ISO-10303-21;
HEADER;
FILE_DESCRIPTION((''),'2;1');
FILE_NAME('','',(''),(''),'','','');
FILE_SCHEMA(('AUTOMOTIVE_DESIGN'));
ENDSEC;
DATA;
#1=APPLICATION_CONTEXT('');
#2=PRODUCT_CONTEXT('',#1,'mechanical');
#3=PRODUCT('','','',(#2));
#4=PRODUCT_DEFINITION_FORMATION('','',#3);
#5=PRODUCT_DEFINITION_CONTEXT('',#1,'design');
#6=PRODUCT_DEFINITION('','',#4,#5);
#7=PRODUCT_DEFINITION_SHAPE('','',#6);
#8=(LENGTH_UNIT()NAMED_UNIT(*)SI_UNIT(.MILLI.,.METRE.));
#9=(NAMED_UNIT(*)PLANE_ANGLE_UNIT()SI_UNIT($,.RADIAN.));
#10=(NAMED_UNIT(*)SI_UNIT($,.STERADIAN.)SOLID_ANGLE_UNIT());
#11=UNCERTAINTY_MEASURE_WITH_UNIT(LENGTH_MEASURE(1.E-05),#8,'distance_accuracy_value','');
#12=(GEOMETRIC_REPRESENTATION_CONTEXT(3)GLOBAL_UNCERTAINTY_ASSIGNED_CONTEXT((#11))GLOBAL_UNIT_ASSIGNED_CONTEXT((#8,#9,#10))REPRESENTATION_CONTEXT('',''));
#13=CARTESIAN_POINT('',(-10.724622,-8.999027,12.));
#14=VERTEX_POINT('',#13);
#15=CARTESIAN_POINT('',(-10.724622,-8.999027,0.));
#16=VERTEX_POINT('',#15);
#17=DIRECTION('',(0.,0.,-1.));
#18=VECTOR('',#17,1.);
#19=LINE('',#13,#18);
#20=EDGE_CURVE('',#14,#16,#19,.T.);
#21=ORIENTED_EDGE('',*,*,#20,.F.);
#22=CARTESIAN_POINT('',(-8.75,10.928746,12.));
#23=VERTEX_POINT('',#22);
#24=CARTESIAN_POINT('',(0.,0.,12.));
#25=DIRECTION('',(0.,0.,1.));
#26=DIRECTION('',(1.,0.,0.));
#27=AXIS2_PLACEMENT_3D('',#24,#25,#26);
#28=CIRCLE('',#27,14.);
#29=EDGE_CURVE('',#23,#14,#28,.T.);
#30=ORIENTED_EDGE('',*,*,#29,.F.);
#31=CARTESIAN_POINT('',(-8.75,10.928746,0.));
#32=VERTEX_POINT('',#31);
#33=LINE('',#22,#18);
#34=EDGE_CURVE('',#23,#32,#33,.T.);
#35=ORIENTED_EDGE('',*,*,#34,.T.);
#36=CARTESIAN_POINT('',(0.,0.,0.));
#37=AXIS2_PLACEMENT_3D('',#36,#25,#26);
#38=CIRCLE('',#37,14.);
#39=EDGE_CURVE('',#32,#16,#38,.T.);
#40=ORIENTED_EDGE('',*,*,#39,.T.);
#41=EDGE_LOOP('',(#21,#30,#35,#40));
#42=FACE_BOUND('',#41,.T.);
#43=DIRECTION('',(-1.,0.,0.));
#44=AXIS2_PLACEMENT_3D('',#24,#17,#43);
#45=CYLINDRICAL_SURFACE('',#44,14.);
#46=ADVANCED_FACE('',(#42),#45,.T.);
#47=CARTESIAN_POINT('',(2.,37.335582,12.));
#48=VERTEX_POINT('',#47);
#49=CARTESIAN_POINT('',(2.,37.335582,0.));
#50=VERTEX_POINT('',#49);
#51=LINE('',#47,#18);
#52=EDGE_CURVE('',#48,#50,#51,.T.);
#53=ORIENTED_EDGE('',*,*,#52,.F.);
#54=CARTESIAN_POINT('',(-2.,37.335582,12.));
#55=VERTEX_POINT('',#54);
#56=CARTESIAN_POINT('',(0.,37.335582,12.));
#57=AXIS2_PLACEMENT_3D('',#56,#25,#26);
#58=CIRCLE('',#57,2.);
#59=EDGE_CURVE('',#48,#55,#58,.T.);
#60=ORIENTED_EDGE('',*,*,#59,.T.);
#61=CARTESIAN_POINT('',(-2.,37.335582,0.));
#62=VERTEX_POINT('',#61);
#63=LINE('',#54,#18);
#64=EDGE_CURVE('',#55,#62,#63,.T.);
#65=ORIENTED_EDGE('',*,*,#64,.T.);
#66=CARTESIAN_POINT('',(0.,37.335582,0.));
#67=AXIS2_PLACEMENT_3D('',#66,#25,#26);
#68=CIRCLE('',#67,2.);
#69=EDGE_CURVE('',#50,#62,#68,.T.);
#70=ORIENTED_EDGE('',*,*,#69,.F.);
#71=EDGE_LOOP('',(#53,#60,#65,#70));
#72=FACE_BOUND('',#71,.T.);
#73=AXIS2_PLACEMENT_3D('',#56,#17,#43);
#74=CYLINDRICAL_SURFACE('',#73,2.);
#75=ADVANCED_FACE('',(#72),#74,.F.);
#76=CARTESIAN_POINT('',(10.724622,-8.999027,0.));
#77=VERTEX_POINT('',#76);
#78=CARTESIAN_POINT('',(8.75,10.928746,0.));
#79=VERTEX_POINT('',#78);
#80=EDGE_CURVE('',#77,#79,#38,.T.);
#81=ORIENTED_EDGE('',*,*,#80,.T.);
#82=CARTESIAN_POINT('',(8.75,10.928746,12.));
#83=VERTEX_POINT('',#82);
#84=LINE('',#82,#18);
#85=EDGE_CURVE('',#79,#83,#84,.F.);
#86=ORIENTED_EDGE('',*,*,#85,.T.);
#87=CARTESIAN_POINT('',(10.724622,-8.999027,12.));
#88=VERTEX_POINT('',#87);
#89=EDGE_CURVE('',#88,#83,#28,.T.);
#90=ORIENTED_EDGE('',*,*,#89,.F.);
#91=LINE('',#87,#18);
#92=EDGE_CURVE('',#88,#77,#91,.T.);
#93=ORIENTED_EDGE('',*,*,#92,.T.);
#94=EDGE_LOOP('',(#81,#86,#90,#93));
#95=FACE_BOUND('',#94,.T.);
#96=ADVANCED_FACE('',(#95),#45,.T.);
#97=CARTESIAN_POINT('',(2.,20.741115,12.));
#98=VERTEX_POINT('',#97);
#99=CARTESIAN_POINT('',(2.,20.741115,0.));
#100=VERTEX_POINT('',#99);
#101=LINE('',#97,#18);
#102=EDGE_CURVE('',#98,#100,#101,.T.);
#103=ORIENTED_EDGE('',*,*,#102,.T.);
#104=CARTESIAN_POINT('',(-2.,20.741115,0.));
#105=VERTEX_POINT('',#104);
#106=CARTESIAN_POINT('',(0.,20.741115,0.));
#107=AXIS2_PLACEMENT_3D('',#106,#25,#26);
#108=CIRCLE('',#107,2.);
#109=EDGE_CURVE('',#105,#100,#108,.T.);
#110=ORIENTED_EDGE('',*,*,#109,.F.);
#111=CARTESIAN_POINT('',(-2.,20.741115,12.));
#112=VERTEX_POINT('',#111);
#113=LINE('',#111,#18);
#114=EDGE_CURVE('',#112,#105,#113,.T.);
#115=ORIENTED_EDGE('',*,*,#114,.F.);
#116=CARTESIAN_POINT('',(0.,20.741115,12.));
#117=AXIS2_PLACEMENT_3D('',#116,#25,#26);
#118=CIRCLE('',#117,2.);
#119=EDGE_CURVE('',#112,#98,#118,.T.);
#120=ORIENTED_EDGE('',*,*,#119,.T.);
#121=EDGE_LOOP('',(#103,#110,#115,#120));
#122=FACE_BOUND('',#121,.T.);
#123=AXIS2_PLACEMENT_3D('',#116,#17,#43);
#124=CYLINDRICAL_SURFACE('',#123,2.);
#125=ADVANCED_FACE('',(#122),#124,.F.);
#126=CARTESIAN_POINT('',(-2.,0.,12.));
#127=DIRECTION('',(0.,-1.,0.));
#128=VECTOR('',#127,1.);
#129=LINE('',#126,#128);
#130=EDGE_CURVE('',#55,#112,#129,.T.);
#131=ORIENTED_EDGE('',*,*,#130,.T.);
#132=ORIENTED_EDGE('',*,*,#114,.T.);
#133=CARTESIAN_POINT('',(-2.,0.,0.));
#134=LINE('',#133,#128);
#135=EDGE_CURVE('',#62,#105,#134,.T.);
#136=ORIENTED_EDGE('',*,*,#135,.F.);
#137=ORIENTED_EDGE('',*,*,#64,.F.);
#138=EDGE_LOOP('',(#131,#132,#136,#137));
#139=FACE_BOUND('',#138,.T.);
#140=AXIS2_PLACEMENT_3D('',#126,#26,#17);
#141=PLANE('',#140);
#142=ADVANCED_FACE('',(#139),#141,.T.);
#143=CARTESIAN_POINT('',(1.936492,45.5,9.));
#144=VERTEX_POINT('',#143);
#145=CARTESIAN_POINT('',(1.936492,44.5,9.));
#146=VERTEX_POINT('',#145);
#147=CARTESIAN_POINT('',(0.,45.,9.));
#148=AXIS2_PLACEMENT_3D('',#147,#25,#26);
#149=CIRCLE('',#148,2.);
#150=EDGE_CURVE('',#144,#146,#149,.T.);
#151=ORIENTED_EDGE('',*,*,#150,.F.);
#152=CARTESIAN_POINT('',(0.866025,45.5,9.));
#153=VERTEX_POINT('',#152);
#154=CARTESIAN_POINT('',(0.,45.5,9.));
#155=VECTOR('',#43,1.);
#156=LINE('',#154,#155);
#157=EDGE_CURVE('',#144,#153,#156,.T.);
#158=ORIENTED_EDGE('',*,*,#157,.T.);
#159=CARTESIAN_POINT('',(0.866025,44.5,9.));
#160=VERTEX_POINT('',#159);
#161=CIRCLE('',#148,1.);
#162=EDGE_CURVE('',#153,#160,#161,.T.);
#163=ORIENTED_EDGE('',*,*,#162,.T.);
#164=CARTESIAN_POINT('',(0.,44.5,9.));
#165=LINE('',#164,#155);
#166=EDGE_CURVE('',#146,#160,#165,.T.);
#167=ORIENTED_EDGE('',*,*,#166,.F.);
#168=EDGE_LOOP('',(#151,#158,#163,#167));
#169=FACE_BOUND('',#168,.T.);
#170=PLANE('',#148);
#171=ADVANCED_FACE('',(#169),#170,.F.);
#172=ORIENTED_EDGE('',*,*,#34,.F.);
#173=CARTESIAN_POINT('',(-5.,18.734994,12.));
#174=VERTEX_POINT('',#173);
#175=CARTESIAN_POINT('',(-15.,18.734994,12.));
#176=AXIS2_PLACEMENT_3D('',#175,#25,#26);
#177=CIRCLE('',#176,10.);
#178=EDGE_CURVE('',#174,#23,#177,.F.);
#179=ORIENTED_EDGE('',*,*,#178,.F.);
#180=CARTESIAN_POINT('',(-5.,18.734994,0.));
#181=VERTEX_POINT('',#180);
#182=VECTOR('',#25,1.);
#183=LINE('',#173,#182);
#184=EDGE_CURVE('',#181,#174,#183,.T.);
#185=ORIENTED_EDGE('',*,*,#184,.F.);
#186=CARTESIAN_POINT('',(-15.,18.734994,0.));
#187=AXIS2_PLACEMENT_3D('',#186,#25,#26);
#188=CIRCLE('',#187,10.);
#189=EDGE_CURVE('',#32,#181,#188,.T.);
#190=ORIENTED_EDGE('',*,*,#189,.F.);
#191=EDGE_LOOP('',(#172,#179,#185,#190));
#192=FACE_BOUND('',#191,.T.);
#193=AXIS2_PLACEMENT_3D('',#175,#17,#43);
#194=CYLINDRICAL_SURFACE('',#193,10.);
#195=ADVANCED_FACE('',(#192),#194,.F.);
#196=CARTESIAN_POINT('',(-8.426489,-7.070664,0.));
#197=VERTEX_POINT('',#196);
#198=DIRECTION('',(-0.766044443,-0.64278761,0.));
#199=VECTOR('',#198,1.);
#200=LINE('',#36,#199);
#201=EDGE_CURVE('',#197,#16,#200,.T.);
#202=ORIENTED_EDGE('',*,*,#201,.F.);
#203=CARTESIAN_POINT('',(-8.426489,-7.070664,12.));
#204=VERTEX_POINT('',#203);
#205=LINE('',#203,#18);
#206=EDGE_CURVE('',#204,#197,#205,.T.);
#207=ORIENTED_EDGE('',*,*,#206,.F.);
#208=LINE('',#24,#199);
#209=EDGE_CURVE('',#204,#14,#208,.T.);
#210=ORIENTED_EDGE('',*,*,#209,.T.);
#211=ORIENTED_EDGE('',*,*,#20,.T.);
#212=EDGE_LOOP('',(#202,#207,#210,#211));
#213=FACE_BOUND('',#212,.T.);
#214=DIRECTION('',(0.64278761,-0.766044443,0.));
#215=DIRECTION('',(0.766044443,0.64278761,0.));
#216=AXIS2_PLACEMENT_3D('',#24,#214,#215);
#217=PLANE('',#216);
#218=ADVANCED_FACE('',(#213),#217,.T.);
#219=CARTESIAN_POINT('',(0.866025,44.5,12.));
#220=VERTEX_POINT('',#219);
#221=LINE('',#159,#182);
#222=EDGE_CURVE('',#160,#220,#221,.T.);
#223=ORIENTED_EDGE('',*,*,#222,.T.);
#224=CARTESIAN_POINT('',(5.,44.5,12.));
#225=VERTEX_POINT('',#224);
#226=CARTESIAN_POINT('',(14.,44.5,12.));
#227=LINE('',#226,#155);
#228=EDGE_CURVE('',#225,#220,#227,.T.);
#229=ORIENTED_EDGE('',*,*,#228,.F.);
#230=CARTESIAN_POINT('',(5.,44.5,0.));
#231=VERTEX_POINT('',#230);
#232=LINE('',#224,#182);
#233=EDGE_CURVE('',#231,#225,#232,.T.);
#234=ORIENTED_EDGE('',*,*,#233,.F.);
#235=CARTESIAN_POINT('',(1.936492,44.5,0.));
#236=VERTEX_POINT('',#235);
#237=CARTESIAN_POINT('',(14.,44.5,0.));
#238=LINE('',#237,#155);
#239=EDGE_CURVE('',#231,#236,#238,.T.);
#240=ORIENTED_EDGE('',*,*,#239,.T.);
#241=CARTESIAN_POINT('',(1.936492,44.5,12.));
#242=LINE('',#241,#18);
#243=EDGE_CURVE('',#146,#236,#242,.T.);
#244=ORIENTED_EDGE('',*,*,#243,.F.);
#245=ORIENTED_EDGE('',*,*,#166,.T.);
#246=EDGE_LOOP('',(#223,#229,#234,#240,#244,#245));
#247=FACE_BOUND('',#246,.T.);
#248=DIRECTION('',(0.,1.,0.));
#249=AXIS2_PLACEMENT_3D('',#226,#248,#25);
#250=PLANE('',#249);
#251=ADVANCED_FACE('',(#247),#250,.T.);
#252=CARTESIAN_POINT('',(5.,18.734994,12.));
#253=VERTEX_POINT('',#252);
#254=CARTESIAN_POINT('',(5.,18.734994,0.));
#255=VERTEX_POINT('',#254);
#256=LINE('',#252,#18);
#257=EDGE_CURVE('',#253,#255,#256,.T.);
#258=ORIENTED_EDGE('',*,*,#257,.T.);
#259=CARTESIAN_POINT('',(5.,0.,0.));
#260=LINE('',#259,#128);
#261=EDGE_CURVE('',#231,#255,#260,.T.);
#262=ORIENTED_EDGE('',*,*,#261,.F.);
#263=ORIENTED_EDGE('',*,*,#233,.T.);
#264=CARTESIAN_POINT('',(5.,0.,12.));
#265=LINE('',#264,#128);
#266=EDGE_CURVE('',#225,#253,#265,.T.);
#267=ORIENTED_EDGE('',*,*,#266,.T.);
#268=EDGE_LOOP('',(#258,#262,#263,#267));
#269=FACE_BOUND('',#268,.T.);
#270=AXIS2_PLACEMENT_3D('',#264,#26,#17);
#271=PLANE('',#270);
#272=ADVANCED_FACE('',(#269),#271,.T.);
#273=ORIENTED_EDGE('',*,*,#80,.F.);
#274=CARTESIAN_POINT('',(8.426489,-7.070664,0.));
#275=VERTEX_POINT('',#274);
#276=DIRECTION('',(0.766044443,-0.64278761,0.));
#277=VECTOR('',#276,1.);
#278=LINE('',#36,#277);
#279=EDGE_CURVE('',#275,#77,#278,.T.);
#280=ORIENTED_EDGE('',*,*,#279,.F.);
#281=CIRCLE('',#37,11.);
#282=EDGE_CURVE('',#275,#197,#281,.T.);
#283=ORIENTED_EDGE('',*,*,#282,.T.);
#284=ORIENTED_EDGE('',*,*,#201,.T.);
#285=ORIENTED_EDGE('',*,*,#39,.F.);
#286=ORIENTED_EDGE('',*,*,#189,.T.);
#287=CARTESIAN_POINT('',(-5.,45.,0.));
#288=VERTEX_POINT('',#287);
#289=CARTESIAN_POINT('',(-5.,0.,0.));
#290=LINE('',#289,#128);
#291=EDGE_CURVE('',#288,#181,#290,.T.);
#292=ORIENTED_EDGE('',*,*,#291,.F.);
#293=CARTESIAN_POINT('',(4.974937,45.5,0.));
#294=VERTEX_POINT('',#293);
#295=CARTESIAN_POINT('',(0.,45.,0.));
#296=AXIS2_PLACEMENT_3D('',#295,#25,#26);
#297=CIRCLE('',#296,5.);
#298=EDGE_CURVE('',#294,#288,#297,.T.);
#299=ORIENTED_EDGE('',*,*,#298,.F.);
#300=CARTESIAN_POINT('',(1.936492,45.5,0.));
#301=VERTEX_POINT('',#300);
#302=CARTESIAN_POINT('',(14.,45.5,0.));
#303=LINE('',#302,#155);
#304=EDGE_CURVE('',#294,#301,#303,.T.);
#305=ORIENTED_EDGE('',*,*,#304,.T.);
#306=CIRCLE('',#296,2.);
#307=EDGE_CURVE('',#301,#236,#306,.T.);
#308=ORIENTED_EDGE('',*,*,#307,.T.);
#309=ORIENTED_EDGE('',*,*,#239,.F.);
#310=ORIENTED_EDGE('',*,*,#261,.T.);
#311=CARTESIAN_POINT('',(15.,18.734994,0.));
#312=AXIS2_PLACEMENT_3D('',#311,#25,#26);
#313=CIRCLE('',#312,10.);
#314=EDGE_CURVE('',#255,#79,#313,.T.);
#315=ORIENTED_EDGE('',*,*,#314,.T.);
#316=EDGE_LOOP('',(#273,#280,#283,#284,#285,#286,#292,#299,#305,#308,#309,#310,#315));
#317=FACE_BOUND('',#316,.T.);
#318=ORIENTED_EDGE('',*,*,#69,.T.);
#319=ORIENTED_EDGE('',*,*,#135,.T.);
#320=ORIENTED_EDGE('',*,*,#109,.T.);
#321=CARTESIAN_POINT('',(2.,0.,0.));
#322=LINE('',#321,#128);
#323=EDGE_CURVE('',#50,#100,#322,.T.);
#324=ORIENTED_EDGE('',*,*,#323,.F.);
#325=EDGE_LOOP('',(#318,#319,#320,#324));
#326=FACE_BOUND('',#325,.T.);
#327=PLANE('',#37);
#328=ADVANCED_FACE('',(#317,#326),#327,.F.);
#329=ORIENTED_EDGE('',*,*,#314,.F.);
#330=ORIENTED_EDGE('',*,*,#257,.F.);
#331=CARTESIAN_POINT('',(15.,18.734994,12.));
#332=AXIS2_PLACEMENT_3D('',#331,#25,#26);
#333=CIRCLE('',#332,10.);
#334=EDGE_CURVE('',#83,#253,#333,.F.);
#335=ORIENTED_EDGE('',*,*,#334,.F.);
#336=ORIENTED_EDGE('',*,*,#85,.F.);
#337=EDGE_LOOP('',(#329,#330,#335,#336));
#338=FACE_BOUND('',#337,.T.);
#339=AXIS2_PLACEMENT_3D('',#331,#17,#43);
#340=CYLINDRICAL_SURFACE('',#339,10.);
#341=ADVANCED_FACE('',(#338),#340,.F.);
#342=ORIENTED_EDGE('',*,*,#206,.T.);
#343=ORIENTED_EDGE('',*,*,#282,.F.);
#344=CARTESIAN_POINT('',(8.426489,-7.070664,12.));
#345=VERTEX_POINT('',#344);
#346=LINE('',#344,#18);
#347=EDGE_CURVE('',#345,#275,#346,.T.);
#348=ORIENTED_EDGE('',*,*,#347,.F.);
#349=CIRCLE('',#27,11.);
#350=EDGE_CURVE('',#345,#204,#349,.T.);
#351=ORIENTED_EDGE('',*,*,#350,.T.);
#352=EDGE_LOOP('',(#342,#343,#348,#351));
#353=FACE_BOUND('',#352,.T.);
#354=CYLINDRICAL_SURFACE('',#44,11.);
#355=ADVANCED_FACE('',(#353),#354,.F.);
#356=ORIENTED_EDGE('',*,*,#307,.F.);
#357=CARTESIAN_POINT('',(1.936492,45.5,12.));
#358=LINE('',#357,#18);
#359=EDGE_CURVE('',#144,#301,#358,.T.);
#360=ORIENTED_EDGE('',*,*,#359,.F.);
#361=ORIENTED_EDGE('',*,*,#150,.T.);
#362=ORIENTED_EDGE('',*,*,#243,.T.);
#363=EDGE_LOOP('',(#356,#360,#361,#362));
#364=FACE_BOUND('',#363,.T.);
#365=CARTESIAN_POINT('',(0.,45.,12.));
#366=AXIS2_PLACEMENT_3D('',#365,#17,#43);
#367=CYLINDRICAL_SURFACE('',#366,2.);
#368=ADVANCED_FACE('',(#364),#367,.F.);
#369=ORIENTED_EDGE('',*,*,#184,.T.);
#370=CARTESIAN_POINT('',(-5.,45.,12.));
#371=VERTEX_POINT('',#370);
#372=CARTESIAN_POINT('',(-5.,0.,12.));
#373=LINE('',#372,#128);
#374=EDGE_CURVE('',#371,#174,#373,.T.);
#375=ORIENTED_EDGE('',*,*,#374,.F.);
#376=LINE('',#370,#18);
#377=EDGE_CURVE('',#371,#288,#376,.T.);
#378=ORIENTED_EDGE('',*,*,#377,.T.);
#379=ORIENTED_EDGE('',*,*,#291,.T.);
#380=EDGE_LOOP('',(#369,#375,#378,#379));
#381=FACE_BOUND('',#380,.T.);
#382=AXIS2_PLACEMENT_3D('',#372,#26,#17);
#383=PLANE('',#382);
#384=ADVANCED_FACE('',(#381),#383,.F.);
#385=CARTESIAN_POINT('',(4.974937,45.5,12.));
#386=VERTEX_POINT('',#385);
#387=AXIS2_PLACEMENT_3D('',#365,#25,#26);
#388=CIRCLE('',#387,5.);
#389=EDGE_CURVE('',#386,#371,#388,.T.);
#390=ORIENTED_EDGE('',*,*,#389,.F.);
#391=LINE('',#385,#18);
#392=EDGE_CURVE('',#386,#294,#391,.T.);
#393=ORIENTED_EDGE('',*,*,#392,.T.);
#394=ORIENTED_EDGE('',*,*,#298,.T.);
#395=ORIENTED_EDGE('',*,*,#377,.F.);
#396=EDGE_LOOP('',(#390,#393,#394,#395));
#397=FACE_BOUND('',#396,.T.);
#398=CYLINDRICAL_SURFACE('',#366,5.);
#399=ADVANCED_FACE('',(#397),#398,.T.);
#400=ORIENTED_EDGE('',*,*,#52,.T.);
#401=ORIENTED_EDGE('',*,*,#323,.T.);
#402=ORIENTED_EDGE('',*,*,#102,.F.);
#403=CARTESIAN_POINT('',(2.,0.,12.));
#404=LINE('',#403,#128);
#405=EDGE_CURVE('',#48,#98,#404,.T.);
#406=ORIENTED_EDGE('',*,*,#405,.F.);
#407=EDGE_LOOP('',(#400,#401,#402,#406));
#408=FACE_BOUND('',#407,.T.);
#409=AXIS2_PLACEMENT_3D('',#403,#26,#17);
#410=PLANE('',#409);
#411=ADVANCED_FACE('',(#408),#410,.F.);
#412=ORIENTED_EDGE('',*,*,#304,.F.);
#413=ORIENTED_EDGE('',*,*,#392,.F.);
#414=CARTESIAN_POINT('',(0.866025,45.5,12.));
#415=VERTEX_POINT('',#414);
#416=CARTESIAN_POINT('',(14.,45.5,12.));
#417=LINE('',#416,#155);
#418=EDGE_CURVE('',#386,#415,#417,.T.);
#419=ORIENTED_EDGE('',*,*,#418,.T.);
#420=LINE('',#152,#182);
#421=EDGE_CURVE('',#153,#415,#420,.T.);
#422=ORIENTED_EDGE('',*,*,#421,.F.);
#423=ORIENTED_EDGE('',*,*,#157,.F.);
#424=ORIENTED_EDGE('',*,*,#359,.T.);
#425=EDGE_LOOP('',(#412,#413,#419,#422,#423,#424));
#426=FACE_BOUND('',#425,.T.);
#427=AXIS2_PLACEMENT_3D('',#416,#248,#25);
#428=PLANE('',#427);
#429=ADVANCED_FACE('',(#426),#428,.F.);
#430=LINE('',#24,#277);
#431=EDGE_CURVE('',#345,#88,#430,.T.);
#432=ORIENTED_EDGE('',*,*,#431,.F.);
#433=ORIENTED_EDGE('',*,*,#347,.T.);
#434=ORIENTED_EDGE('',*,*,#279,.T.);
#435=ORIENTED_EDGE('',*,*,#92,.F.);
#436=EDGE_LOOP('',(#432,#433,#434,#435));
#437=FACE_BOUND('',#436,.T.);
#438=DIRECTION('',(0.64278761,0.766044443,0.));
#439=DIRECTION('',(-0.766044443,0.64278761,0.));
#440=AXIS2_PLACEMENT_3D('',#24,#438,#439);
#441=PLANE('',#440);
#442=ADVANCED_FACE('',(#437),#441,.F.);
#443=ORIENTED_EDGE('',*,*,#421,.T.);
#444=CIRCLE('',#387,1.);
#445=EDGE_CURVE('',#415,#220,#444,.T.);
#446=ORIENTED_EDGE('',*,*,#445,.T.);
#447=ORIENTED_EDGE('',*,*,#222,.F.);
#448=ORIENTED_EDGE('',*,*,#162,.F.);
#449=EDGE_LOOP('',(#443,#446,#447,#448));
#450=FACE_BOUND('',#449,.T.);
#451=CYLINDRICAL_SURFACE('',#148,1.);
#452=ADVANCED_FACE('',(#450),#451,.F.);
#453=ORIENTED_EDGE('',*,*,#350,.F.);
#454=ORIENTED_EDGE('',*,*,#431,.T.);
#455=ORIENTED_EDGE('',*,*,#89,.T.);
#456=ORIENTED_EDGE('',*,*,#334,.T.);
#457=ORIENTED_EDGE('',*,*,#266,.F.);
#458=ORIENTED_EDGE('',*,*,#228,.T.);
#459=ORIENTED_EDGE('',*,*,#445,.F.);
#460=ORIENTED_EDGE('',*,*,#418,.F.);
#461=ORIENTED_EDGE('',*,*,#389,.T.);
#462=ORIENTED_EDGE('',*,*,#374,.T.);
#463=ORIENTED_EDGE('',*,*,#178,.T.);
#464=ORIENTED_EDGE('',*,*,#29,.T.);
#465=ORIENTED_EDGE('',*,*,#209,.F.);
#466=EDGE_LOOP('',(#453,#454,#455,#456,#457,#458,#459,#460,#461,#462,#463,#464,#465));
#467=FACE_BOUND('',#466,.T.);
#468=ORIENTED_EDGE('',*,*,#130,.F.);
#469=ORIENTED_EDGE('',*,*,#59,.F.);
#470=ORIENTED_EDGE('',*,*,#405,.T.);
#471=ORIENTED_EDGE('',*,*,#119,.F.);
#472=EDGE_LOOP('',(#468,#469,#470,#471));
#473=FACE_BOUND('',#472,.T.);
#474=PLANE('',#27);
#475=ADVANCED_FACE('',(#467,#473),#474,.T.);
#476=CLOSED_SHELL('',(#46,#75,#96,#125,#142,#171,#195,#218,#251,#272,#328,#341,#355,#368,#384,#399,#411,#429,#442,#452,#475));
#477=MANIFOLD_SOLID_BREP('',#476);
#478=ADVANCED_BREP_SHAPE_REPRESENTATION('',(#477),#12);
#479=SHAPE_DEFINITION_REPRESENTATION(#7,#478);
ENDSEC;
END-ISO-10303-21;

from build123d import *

# Parameters (mm, degrees)
SKETCH1_R                    = 2
BOSS_EXTRUDE1_DEPTH          = 12
SKETCH2_R                    = 2
SKETCH2_R_2                  = 1
BOSS_EXTRUDE2_DEPTH          = 3
FILLET1_R                    = 10
SKETCH3_W                    = 12
SKETCH3_H                    = 1
CUT_EXTRUDE_THIN2_DEPTH      = 10
CUT_EXTRUDE_THIN2_DEPTH_BACK = 5


with BuildPart() as part:
    # Sketch1 → Boss-Extrude1 (new body)
    with BuildSketch(Plane.XY):
        with BuildLine():
            Line((5, 13.076696831), (5, 45))
            ThreePointArc((5, 45), (0, 50), (-5, 45))
            Line((-5, 45), (-5, 13.076696831))
            ThreePointArc((-5, 13.076696831), (-13.551764697, 3.514210239), (-10.724622204, -8.999026536))
            Line((-10.724622204, -8.999026536), (-8.426488874, -7.070663707))
            ThreePointArc((-8.426488874, -7.070663707), (-3.762221577, 10.336618829), (11, 0))
            ThreePointArc((11, 0), (10.336618829, -3.762221577), (8.426488874, -7.070663707))
            Line((8.426488874, -7.070663707), (10.724622204, -8.999026536))
            ThreePointArc((10.724622204, -8.999026536), (13.551764697, 3.514210239), (5, 13.076696831))
        make_face()
        with BuildLine():
            ThreePointArc((-2, 37.335582027), (0, 39.335582027), (2, 37.335582027))
            Line((2, 37.335582027), (2, 20.741114804))
            ThreePointArc((2, 20.741114804), (0, 18.741114804), (-2, 20.741114804))
            Line((-2, 20.741114804), (-2, 37.335582027))
        make_face(mode=Mode.SUBTRACT)
        with Locations((0, 45)):
            Circle(SKETCH1_R, mode=Mode.SUBTRACT)
    extrude(amount=BOSS_EXTRUDE1_DEPTH)

    # Sketch2 → Boss-Extrude2 (add)
    with BuildSketch(Plane.XY.offset(12)):
        with Locations((0, 45)):
            Circle(SKETCH2_R)
        with Locations((0, 45)):
            Circle(SKETCH2_R_2, mode=Mode.SUBTRACT)
    extrude(amount=-BOSS_EXTRUDE2_DEPTH)

    # Fillet1
    fillet1_edges = [part.edges().sort_by_distance(p)[0] for p in [
        (5, 13.076696831, 6),
        (-5, 13.076696831, 6),
    ]]
    fillet(fillet1_edges, radius=FILLET1_R)

    # Sketch3 → Cut-Extrude-Thin2 (cut, two sides)
    with BuildSketch(Plane(origin=(5, 0, 0), x_dir=(0, 0, -1), z_dir=(1, 0, 0))) as cut_extrude_thin2_sk:
        with Locations((-6, 45)):
            Rectangle(SKETCH3_W, SKETCH3_H)
    extrude(amount=CUT_EXTRUDE_THIN2_DEPTH, mode=Mode.SUBTRACT)
    extrude(cut_extrude_thin2_sk.sketch, amount=-CUT_EXTRUDE_THIN2_DEPTH_BACK, mode=Mode.SUBTRACT)


solid = part.part
